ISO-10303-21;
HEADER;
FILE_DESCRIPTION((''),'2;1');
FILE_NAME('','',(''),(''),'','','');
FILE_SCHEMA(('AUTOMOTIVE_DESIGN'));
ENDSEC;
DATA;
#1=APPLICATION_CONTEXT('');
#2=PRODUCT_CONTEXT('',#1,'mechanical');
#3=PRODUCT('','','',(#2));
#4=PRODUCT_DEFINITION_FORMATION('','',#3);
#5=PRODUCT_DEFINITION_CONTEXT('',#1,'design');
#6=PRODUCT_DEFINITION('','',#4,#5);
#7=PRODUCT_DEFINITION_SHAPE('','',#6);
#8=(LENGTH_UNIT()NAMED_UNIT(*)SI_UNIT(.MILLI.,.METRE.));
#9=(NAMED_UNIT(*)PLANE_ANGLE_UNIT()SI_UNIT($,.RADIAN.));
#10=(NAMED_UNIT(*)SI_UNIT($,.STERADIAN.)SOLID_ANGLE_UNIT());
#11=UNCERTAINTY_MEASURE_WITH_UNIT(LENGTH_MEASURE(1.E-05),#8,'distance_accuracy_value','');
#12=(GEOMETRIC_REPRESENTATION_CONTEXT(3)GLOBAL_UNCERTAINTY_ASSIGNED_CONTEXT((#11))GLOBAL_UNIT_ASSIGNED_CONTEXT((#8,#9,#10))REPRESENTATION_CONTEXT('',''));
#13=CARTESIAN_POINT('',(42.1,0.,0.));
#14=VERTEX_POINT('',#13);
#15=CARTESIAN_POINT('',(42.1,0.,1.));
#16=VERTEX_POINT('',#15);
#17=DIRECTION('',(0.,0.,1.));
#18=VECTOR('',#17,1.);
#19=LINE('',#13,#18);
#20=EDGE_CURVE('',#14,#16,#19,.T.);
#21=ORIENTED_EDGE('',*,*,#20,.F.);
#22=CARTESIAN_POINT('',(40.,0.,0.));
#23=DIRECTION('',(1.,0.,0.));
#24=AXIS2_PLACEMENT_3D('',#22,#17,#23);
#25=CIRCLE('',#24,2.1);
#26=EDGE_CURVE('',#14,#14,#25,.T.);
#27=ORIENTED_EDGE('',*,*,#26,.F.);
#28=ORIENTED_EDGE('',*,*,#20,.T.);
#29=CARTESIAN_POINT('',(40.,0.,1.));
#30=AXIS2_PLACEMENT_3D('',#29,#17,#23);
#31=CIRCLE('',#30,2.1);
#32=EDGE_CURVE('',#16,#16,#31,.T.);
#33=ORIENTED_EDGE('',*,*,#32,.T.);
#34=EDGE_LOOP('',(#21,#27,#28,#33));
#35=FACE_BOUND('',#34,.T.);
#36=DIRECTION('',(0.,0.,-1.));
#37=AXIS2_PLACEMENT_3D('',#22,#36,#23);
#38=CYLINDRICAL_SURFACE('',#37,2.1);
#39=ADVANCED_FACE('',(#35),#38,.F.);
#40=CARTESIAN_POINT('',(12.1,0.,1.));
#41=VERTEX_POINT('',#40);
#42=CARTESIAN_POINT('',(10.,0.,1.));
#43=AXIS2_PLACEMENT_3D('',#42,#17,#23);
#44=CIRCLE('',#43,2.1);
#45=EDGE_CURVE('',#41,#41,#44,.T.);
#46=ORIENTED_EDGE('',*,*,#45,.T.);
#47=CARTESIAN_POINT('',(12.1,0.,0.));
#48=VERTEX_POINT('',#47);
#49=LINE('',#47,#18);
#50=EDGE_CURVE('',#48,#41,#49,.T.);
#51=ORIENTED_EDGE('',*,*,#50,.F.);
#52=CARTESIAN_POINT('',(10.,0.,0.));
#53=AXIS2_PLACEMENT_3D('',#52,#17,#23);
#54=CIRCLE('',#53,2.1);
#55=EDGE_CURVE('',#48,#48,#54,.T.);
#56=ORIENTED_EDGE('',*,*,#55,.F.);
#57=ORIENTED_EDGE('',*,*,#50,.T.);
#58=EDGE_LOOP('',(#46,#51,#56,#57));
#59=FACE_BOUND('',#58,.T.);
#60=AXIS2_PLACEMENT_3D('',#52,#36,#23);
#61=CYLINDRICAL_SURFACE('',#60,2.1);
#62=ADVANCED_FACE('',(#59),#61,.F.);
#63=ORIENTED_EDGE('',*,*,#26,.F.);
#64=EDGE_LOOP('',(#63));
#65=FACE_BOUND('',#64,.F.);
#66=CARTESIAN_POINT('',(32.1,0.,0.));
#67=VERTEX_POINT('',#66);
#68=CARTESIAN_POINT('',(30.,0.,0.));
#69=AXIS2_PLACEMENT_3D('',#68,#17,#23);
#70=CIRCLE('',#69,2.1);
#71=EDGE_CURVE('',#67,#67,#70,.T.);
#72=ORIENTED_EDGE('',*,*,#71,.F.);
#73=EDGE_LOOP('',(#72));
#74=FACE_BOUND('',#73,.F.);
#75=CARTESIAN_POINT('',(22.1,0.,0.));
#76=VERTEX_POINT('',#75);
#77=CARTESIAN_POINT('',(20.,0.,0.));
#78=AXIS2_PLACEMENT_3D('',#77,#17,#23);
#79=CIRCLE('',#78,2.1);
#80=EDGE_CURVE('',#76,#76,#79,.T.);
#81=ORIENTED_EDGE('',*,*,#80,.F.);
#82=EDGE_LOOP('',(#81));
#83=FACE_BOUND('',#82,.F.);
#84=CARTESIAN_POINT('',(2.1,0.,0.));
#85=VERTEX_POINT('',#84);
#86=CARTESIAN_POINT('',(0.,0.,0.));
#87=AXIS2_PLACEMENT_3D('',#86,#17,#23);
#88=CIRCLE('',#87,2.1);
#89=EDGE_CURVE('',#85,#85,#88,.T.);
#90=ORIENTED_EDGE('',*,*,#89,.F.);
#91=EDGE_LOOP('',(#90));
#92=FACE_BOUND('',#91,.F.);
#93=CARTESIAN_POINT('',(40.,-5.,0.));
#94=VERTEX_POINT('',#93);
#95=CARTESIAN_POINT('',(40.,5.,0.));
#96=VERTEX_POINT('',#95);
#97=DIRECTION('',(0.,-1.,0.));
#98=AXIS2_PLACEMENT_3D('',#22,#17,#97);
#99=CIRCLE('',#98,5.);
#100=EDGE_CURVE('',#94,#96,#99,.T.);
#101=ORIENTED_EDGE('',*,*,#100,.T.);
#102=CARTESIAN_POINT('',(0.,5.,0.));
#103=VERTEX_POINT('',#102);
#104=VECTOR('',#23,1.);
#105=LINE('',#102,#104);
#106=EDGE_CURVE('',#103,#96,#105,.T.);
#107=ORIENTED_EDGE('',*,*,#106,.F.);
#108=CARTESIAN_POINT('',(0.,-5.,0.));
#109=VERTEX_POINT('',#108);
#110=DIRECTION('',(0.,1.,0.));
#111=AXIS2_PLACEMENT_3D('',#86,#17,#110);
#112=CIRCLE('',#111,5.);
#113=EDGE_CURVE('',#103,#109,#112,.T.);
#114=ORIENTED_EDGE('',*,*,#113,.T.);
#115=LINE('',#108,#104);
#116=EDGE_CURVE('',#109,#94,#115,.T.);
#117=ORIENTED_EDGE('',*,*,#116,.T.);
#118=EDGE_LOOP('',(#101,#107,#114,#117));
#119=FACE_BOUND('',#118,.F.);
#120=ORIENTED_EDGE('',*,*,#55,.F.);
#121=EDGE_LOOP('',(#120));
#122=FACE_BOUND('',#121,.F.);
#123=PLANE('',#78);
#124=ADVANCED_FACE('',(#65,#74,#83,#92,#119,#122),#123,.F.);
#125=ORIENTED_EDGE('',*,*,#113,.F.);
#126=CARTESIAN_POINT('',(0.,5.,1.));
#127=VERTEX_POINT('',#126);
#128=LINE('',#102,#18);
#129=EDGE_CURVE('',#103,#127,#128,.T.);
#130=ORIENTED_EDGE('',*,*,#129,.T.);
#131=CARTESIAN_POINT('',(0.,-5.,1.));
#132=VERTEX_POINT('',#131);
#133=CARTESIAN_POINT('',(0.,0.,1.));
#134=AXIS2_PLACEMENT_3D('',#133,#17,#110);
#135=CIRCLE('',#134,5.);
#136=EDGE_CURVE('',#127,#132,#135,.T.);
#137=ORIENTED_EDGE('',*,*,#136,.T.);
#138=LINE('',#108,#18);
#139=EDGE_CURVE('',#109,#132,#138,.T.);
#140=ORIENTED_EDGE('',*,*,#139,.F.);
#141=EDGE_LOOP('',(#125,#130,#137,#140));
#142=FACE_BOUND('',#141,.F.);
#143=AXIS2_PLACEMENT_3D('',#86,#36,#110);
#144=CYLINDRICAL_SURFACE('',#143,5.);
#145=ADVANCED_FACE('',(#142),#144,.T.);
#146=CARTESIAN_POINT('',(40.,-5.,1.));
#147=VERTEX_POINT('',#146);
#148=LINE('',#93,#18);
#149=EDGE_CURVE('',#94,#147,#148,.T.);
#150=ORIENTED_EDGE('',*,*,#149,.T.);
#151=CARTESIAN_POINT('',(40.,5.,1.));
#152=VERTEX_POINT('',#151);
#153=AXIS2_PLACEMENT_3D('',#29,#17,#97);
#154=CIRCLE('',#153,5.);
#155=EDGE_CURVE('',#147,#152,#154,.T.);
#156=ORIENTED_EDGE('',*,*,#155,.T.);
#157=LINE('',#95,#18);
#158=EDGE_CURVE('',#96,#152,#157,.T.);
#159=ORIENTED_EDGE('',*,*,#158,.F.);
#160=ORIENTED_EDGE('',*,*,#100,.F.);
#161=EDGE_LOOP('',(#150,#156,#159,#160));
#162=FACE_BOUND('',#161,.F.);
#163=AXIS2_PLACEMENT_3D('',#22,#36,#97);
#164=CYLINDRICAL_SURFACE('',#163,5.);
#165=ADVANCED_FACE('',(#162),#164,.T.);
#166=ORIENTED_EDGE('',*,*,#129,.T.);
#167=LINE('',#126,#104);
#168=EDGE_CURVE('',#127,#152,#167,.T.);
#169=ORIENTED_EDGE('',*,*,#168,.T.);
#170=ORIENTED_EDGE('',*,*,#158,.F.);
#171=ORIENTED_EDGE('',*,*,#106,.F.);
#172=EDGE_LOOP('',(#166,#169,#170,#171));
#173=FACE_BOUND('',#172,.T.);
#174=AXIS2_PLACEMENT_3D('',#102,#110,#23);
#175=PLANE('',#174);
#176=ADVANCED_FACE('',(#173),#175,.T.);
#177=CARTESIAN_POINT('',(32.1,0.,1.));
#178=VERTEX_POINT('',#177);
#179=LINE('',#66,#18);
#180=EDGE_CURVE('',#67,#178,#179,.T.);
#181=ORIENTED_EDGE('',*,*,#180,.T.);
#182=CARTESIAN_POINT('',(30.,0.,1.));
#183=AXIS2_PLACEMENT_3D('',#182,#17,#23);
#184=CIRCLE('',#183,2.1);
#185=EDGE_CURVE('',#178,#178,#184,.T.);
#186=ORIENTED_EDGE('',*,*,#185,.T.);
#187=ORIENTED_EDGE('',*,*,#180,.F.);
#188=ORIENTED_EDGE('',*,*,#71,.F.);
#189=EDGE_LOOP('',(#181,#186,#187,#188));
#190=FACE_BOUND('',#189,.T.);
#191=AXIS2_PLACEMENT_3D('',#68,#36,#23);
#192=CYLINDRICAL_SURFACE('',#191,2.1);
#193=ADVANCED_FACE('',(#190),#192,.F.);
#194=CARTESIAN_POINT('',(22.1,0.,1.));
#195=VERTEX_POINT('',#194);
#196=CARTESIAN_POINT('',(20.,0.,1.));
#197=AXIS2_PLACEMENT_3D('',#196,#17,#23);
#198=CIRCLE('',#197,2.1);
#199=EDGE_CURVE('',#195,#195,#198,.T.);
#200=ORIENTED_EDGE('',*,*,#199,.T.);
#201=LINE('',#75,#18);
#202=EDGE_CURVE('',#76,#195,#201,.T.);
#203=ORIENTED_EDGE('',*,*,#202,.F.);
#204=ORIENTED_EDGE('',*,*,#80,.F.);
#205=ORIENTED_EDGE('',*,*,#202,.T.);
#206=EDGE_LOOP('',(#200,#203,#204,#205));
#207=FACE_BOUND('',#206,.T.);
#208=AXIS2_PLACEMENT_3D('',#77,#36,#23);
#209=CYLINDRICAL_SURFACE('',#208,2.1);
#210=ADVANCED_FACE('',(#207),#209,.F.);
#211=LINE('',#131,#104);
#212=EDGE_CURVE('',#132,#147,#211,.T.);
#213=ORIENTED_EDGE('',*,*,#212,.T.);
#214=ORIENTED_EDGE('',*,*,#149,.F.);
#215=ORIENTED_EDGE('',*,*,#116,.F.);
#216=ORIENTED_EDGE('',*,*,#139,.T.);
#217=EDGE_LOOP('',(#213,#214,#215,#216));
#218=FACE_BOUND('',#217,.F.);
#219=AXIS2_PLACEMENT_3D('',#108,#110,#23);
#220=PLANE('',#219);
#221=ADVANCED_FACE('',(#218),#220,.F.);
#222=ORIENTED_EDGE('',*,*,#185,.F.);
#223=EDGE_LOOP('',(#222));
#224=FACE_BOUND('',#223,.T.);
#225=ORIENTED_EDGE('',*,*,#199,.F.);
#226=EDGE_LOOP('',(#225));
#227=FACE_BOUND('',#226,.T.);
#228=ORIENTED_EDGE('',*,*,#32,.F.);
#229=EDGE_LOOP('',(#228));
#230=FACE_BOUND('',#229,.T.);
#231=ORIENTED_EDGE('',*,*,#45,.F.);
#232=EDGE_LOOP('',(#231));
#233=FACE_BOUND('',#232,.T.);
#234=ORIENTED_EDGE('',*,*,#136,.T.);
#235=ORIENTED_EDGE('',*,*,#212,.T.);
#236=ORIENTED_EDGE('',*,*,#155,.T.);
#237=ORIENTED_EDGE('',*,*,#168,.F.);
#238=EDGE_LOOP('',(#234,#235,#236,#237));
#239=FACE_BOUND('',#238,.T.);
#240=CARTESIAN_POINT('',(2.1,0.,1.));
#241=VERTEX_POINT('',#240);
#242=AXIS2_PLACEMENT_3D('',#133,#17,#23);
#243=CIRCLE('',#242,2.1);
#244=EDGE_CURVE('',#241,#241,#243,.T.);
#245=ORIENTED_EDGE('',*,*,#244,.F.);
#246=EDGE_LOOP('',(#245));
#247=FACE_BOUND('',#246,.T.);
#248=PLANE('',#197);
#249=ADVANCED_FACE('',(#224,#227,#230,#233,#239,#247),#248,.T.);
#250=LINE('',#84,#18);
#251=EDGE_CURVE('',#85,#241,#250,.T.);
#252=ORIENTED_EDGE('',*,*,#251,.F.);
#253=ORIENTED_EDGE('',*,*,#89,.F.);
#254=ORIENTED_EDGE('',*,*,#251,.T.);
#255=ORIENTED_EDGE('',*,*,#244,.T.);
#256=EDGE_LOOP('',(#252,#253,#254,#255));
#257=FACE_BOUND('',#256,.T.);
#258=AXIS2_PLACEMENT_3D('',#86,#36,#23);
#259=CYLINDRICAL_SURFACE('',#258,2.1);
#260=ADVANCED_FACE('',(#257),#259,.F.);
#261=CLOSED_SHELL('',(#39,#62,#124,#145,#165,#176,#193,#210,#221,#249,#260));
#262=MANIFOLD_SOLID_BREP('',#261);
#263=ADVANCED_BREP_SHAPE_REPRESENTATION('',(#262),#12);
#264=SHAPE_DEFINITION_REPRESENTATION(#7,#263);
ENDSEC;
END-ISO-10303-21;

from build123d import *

# Parameters (mm, degrees)
SKETCH_R  = 2.1
PAD_DEPTH = 1


with BuildPart() as part:
    # Sketch → Pad (new body)
    with BuildSketch(Plane.XY):
        with BuildLine():
            ThreePointArc((0, 5), (-5, 0), (0, -5))
            Line((0, -5), (40, -5))
            ThreePointArc((40, -5), (45, 0), (40, 5))
            Line((0, 5), (40, 5))
        make_face()
        Circle(SKETCH_R, mode=Mode.SUBTRACT)
        with Locations((10, 0)):
            Circle(SKETCH_R, mode=Mode.SUBTRACT)
        with Locations((20, 0)):
            Circle(SKETCH_R, mode=Mode.SUBTRACT)
        with Locations((30, 0)):
            Circle(SKETCH_R, mode=Mode.SUBTRACT)
        with Locations((40, 0)):
            Circle(SKETCH_R, mode=Mode.SUBTRACT)
    extrude(amount=PAD_DEPTH)


solid = part.part
